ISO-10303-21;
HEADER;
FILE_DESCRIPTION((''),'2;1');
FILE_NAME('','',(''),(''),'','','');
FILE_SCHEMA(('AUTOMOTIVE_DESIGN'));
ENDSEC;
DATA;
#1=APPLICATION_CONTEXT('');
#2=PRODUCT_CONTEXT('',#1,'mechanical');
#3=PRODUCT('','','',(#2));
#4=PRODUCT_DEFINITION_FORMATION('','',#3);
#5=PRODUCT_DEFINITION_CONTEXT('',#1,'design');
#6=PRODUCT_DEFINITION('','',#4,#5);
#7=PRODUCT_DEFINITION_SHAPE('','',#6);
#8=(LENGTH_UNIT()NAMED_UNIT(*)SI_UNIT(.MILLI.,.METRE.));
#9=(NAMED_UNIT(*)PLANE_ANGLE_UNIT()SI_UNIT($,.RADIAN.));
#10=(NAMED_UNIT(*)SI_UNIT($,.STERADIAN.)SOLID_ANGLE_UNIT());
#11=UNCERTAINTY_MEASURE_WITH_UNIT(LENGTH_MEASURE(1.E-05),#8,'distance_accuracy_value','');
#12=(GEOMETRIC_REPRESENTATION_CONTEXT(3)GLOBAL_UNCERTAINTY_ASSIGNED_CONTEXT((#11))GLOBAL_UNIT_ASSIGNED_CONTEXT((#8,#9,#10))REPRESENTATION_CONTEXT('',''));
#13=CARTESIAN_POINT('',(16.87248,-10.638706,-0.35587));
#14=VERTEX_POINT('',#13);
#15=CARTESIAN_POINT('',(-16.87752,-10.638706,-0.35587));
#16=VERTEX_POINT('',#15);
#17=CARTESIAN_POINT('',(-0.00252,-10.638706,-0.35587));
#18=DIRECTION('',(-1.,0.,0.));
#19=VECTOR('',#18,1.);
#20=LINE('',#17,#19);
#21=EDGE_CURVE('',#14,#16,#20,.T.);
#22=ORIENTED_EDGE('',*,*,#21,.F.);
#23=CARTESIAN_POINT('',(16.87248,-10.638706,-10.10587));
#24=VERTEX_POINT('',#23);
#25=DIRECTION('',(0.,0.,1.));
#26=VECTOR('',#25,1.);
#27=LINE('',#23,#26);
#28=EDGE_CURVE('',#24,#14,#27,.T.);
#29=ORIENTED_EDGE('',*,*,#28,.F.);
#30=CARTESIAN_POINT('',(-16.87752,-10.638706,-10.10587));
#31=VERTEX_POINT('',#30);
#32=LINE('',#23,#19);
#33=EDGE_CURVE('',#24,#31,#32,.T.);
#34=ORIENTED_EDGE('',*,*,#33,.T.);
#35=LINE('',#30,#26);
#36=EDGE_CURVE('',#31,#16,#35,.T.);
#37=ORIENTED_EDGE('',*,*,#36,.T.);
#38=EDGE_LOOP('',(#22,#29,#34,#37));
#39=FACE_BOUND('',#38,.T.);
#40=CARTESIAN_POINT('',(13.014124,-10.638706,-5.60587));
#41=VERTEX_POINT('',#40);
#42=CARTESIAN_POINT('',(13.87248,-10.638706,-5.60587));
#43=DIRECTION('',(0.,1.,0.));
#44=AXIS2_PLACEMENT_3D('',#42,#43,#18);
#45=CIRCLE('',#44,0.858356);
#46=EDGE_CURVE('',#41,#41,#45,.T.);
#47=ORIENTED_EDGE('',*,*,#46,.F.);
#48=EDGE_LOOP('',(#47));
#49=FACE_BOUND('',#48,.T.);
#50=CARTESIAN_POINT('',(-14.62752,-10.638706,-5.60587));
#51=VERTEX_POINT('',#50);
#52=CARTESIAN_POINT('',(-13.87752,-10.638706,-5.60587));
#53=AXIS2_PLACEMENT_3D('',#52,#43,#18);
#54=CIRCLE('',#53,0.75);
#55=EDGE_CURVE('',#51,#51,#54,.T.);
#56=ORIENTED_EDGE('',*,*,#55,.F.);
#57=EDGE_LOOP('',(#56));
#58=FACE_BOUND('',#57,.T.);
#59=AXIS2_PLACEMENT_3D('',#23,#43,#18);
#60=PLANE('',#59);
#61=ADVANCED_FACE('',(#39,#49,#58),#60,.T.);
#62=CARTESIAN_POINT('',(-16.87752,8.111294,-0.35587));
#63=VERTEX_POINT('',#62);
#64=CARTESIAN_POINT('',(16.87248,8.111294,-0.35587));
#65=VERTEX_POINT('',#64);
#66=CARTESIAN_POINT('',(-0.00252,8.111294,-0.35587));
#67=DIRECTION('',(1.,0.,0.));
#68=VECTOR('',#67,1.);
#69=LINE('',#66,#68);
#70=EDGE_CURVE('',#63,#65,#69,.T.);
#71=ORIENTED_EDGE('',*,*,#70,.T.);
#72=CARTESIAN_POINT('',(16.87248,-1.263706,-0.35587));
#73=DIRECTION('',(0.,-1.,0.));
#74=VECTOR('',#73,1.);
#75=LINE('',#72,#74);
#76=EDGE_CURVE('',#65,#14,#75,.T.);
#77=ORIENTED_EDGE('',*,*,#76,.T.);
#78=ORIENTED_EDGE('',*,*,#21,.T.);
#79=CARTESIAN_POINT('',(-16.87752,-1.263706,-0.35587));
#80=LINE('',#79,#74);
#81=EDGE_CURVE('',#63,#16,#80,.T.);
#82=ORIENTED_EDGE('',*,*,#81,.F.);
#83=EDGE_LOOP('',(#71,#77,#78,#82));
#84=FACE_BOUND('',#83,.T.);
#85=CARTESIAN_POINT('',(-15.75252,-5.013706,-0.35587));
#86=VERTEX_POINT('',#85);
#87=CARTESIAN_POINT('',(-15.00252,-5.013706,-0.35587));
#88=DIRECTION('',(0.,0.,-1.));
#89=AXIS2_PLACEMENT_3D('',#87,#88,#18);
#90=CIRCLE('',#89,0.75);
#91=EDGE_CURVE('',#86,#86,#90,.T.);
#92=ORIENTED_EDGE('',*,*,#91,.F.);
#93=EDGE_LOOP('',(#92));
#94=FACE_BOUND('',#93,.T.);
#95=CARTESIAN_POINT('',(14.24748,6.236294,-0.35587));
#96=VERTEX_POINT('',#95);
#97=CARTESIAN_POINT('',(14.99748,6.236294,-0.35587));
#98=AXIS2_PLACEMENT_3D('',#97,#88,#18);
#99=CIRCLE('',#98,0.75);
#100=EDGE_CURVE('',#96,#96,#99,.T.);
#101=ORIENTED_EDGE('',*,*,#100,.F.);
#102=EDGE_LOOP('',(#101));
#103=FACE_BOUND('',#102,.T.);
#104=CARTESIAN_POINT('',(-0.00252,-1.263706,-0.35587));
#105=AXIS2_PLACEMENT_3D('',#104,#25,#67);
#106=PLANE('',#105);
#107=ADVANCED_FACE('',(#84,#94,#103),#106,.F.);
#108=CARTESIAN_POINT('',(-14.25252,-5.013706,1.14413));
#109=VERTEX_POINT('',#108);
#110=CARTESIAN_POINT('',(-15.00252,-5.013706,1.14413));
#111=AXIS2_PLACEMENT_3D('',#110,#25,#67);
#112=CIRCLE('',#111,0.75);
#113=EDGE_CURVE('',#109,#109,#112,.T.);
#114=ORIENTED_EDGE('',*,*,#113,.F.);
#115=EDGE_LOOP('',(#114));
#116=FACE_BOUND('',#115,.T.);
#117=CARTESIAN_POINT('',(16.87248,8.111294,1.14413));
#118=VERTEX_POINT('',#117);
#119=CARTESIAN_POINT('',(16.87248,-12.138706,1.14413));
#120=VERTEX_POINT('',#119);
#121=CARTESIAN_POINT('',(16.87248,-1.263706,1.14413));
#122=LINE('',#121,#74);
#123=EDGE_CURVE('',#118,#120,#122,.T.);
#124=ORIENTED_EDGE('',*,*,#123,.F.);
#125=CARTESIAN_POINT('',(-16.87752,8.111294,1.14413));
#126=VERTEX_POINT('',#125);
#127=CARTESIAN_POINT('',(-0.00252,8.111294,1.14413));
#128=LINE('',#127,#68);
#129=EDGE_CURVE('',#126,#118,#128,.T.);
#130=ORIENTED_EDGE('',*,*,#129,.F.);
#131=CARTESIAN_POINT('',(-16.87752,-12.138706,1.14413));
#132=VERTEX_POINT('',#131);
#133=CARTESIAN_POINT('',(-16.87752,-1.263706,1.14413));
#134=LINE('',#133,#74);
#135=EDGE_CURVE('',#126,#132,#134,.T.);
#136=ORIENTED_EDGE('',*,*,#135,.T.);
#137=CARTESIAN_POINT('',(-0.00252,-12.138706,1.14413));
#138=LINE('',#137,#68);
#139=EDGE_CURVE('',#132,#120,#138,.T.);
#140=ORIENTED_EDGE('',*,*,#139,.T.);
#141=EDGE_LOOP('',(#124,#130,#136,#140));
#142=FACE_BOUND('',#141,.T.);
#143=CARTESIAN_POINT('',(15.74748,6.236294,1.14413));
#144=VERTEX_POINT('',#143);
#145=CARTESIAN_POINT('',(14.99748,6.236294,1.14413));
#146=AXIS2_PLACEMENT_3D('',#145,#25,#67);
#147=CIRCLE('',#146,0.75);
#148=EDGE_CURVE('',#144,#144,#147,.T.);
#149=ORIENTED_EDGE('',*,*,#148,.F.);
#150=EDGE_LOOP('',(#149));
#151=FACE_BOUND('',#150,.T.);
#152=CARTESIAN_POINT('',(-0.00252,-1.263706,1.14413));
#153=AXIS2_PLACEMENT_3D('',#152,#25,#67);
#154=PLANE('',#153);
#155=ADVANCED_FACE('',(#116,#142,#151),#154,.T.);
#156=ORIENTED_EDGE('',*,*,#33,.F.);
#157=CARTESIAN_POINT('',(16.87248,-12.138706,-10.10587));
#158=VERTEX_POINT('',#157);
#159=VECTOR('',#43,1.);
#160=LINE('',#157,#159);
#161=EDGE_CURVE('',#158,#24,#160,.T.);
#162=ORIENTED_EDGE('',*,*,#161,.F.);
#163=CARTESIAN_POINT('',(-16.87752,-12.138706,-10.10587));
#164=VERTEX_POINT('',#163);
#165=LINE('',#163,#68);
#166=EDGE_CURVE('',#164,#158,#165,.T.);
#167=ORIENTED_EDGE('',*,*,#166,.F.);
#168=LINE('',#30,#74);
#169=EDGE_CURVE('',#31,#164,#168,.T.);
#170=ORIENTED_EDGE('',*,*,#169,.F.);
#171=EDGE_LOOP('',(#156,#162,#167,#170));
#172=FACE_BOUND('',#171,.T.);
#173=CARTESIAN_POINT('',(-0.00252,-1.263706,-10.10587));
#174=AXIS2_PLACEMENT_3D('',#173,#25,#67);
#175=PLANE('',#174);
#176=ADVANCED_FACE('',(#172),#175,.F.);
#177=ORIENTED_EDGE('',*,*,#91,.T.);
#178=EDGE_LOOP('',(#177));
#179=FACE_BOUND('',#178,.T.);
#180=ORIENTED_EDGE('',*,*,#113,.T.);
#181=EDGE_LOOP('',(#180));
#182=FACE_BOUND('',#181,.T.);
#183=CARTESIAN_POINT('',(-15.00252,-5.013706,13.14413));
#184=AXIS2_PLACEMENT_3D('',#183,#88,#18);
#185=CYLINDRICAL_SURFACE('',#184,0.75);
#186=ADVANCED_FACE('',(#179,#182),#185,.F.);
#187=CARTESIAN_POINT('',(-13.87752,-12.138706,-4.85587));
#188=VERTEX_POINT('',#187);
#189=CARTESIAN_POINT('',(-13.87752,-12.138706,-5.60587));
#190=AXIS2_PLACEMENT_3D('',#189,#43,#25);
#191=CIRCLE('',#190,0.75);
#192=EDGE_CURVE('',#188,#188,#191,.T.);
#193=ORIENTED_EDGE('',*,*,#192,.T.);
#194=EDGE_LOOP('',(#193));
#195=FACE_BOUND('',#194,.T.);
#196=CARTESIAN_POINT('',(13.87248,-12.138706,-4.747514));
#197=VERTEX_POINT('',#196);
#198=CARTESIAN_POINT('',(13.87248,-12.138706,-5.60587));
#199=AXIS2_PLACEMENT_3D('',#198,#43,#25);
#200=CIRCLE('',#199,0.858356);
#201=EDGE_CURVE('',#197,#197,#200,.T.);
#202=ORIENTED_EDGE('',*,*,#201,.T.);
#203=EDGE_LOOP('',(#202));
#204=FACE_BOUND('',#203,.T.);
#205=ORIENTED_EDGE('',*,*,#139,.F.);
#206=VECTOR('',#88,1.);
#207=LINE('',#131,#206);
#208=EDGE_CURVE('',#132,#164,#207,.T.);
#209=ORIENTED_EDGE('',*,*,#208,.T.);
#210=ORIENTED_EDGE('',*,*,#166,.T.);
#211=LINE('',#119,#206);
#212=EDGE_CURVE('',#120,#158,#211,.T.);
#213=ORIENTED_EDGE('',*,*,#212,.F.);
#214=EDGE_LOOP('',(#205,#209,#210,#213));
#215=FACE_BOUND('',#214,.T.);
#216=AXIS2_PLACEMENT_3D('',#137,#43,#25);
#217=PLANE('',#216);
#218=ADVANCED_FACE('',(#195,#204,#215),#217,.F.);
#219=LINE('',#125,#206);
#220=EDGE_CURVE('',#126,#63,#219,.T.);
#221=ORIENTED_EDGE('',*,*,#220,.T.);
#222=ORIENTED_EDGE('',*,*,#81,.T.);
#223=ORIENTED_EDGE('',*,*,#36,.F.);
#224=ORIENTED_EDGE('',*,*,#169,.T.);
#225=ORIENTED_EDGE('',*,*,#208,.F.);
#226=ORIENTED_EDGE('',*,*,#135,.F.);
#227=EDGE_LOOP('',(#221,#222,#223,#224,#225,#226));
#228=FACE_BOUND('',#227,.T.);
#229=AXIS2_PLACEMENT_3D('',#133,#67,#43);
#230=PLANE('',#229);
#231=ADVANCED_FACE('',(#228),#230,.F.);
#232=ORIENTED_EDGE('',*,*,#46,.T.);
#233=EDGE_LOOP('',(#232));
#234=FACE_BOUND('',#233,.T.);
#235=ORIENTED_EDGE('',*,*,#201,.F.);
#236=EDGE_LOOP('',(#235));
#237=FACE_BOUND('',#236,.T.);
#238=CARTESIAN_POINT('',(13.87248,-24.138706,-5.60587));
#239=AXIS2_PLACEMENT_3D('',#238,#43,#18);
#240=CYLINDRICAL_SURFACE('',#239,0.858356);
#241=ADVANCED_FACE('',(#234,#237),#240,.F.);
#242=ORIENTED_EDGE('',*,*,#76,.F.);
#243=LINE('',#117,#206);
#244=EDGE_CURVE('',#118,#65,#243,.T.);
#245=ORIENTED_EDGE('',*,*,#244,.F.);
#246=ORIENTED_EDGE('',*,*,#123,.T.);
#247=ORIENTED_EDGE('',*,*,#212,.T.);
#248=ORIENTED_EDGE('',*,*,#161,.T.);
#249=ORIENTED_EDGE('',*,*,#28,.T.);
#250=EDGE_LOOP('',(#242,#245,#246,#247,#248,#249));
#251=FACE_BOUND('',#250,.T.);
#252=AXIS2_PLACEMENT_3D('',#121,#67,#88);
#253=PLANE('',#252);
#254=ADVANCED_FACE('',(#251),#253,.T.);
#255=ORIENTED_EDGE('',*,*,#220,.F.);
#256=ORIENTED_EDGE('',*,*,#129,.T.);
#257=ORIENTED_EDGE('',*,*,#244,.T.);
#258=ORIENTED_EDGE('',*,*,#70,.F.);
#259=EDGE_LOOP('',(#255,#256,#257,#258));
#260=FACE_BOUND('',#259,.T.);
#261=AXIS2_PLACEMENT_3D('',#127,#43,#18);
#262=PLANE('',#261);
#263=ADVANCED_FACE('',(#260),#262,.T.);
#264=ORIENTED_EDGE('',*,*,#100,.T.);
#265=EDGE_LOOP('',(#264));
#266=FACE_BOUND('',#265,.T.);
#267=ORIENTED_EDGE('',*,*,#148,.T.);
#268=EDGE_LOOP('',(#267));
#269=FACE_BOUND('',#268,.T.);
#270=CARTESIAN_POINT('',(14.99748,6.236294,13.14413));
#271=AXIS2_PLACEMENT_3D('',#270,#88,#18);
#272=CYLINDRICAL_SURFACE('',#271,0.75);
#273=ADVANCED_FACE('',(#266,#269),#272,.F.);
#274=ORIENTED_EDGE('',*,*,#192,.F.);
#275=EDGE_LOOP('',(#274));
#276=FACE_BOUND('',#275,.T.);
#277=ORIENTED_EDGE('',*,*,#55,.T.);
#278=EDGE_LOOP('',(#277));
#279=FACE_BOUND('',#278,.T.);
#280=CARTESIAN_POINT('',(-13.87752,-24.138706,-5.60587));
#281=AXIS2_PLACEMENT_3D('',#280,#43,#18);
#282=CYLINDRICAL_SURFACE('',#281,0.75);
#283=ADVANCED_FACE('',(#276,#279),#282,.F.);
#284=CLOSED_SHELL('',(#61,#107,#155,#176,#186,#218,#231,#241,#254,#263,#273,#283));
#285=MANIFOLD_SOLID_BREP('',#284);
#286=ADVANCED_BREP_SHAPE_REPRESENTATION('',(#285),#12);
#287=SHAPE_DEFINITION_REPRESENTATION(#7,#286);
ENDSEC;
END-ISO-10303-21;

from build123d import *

# Parameters (mm, degrees)
SKETCH1_W           = 45
SKETCH1_H           = 25
SKETCH1_H_2         = 2
BOSS_EXTRUDE3_DEPTH = 2
SKETCH6_W           = 45
SKETCH6_H           = 2
BOSS_EXTRUDE4_DEPTH = 15
SKETCH7_R           = 1
CUT_EXTRUDE1_DEPTH  = 18
SKETCH9_R           = 1
SKETCH9_R_2         = 1.144474258
CUT_EXTRUDE3_DEPTH  = 18
SCALE1_SCALE        = 0.75


with BuildPart() as part:
    # Sketch1 → Boss-Extrude3 (new body)
    with BuildSketch(Plane.XY):
        Rectangle(SKETCH1_W, SKETCH1_H)
        with Locations((0, -13.5)):
            Rectangle(SKETCH1_W, SKETCH1_H_2)
    extrude(amount=BOSS_EXTRUDE3_DEPTH)

    # Sketch6 → Boss-Extrude4 (add)
    with BuildSketch(Plane.XY.offset(2)):
        with Locations((0, -13.5)):
            Rectangle(SKETCH6_W, SKETCH6_H)
    extrude(amount=-BOSS_EXTRUDE4_DEPTH)

    # Sketch7 → Cut-Extrude1 (cut)
    with BuildSketch(Plane(origin=(0, 0, 0), x_dir=(-1, 0, 0), z_dir=(0, 0, -1))):
        with Locations((-20, 10)):
            Circle(SKETCH7_R)
        with Locations((20, -5)):
            Circle(SKETCH7_R)
    extrude(amount=-CUT_EXTRUDE1_DEPTH, mode=Mode.SUBTRACT)

    # Sketch9 → Cut-Extrude3 (cut)
    with BuildSketch(Plane(origin=(0, -12.5, 0), x_dir=(1, 0, 0), z_dir=(0, 1, 0))):
        with Locations(Location((-18.5, 7, 0), (0, 0, 180))):
            Circle(SKETCH9_R)
        with Locations(Location((18.5, 7, 0), (0, 0, 180))):
            Circle(SKETCH9_R_2)
    extrude(amount=-CUT_EXTRUDE3_DEPTH, mode=Mode.SUBTRACT)


with BuildPart() as part_1:
    # Scale1: scaled about (-0.010079513, -5.05482545, -1.423478353)
    add(part.part.scale(SCALE1_SCALE).moved(Location((-0.002519878, -1.263706363, -0.355869588))))


solid = part_1.part
